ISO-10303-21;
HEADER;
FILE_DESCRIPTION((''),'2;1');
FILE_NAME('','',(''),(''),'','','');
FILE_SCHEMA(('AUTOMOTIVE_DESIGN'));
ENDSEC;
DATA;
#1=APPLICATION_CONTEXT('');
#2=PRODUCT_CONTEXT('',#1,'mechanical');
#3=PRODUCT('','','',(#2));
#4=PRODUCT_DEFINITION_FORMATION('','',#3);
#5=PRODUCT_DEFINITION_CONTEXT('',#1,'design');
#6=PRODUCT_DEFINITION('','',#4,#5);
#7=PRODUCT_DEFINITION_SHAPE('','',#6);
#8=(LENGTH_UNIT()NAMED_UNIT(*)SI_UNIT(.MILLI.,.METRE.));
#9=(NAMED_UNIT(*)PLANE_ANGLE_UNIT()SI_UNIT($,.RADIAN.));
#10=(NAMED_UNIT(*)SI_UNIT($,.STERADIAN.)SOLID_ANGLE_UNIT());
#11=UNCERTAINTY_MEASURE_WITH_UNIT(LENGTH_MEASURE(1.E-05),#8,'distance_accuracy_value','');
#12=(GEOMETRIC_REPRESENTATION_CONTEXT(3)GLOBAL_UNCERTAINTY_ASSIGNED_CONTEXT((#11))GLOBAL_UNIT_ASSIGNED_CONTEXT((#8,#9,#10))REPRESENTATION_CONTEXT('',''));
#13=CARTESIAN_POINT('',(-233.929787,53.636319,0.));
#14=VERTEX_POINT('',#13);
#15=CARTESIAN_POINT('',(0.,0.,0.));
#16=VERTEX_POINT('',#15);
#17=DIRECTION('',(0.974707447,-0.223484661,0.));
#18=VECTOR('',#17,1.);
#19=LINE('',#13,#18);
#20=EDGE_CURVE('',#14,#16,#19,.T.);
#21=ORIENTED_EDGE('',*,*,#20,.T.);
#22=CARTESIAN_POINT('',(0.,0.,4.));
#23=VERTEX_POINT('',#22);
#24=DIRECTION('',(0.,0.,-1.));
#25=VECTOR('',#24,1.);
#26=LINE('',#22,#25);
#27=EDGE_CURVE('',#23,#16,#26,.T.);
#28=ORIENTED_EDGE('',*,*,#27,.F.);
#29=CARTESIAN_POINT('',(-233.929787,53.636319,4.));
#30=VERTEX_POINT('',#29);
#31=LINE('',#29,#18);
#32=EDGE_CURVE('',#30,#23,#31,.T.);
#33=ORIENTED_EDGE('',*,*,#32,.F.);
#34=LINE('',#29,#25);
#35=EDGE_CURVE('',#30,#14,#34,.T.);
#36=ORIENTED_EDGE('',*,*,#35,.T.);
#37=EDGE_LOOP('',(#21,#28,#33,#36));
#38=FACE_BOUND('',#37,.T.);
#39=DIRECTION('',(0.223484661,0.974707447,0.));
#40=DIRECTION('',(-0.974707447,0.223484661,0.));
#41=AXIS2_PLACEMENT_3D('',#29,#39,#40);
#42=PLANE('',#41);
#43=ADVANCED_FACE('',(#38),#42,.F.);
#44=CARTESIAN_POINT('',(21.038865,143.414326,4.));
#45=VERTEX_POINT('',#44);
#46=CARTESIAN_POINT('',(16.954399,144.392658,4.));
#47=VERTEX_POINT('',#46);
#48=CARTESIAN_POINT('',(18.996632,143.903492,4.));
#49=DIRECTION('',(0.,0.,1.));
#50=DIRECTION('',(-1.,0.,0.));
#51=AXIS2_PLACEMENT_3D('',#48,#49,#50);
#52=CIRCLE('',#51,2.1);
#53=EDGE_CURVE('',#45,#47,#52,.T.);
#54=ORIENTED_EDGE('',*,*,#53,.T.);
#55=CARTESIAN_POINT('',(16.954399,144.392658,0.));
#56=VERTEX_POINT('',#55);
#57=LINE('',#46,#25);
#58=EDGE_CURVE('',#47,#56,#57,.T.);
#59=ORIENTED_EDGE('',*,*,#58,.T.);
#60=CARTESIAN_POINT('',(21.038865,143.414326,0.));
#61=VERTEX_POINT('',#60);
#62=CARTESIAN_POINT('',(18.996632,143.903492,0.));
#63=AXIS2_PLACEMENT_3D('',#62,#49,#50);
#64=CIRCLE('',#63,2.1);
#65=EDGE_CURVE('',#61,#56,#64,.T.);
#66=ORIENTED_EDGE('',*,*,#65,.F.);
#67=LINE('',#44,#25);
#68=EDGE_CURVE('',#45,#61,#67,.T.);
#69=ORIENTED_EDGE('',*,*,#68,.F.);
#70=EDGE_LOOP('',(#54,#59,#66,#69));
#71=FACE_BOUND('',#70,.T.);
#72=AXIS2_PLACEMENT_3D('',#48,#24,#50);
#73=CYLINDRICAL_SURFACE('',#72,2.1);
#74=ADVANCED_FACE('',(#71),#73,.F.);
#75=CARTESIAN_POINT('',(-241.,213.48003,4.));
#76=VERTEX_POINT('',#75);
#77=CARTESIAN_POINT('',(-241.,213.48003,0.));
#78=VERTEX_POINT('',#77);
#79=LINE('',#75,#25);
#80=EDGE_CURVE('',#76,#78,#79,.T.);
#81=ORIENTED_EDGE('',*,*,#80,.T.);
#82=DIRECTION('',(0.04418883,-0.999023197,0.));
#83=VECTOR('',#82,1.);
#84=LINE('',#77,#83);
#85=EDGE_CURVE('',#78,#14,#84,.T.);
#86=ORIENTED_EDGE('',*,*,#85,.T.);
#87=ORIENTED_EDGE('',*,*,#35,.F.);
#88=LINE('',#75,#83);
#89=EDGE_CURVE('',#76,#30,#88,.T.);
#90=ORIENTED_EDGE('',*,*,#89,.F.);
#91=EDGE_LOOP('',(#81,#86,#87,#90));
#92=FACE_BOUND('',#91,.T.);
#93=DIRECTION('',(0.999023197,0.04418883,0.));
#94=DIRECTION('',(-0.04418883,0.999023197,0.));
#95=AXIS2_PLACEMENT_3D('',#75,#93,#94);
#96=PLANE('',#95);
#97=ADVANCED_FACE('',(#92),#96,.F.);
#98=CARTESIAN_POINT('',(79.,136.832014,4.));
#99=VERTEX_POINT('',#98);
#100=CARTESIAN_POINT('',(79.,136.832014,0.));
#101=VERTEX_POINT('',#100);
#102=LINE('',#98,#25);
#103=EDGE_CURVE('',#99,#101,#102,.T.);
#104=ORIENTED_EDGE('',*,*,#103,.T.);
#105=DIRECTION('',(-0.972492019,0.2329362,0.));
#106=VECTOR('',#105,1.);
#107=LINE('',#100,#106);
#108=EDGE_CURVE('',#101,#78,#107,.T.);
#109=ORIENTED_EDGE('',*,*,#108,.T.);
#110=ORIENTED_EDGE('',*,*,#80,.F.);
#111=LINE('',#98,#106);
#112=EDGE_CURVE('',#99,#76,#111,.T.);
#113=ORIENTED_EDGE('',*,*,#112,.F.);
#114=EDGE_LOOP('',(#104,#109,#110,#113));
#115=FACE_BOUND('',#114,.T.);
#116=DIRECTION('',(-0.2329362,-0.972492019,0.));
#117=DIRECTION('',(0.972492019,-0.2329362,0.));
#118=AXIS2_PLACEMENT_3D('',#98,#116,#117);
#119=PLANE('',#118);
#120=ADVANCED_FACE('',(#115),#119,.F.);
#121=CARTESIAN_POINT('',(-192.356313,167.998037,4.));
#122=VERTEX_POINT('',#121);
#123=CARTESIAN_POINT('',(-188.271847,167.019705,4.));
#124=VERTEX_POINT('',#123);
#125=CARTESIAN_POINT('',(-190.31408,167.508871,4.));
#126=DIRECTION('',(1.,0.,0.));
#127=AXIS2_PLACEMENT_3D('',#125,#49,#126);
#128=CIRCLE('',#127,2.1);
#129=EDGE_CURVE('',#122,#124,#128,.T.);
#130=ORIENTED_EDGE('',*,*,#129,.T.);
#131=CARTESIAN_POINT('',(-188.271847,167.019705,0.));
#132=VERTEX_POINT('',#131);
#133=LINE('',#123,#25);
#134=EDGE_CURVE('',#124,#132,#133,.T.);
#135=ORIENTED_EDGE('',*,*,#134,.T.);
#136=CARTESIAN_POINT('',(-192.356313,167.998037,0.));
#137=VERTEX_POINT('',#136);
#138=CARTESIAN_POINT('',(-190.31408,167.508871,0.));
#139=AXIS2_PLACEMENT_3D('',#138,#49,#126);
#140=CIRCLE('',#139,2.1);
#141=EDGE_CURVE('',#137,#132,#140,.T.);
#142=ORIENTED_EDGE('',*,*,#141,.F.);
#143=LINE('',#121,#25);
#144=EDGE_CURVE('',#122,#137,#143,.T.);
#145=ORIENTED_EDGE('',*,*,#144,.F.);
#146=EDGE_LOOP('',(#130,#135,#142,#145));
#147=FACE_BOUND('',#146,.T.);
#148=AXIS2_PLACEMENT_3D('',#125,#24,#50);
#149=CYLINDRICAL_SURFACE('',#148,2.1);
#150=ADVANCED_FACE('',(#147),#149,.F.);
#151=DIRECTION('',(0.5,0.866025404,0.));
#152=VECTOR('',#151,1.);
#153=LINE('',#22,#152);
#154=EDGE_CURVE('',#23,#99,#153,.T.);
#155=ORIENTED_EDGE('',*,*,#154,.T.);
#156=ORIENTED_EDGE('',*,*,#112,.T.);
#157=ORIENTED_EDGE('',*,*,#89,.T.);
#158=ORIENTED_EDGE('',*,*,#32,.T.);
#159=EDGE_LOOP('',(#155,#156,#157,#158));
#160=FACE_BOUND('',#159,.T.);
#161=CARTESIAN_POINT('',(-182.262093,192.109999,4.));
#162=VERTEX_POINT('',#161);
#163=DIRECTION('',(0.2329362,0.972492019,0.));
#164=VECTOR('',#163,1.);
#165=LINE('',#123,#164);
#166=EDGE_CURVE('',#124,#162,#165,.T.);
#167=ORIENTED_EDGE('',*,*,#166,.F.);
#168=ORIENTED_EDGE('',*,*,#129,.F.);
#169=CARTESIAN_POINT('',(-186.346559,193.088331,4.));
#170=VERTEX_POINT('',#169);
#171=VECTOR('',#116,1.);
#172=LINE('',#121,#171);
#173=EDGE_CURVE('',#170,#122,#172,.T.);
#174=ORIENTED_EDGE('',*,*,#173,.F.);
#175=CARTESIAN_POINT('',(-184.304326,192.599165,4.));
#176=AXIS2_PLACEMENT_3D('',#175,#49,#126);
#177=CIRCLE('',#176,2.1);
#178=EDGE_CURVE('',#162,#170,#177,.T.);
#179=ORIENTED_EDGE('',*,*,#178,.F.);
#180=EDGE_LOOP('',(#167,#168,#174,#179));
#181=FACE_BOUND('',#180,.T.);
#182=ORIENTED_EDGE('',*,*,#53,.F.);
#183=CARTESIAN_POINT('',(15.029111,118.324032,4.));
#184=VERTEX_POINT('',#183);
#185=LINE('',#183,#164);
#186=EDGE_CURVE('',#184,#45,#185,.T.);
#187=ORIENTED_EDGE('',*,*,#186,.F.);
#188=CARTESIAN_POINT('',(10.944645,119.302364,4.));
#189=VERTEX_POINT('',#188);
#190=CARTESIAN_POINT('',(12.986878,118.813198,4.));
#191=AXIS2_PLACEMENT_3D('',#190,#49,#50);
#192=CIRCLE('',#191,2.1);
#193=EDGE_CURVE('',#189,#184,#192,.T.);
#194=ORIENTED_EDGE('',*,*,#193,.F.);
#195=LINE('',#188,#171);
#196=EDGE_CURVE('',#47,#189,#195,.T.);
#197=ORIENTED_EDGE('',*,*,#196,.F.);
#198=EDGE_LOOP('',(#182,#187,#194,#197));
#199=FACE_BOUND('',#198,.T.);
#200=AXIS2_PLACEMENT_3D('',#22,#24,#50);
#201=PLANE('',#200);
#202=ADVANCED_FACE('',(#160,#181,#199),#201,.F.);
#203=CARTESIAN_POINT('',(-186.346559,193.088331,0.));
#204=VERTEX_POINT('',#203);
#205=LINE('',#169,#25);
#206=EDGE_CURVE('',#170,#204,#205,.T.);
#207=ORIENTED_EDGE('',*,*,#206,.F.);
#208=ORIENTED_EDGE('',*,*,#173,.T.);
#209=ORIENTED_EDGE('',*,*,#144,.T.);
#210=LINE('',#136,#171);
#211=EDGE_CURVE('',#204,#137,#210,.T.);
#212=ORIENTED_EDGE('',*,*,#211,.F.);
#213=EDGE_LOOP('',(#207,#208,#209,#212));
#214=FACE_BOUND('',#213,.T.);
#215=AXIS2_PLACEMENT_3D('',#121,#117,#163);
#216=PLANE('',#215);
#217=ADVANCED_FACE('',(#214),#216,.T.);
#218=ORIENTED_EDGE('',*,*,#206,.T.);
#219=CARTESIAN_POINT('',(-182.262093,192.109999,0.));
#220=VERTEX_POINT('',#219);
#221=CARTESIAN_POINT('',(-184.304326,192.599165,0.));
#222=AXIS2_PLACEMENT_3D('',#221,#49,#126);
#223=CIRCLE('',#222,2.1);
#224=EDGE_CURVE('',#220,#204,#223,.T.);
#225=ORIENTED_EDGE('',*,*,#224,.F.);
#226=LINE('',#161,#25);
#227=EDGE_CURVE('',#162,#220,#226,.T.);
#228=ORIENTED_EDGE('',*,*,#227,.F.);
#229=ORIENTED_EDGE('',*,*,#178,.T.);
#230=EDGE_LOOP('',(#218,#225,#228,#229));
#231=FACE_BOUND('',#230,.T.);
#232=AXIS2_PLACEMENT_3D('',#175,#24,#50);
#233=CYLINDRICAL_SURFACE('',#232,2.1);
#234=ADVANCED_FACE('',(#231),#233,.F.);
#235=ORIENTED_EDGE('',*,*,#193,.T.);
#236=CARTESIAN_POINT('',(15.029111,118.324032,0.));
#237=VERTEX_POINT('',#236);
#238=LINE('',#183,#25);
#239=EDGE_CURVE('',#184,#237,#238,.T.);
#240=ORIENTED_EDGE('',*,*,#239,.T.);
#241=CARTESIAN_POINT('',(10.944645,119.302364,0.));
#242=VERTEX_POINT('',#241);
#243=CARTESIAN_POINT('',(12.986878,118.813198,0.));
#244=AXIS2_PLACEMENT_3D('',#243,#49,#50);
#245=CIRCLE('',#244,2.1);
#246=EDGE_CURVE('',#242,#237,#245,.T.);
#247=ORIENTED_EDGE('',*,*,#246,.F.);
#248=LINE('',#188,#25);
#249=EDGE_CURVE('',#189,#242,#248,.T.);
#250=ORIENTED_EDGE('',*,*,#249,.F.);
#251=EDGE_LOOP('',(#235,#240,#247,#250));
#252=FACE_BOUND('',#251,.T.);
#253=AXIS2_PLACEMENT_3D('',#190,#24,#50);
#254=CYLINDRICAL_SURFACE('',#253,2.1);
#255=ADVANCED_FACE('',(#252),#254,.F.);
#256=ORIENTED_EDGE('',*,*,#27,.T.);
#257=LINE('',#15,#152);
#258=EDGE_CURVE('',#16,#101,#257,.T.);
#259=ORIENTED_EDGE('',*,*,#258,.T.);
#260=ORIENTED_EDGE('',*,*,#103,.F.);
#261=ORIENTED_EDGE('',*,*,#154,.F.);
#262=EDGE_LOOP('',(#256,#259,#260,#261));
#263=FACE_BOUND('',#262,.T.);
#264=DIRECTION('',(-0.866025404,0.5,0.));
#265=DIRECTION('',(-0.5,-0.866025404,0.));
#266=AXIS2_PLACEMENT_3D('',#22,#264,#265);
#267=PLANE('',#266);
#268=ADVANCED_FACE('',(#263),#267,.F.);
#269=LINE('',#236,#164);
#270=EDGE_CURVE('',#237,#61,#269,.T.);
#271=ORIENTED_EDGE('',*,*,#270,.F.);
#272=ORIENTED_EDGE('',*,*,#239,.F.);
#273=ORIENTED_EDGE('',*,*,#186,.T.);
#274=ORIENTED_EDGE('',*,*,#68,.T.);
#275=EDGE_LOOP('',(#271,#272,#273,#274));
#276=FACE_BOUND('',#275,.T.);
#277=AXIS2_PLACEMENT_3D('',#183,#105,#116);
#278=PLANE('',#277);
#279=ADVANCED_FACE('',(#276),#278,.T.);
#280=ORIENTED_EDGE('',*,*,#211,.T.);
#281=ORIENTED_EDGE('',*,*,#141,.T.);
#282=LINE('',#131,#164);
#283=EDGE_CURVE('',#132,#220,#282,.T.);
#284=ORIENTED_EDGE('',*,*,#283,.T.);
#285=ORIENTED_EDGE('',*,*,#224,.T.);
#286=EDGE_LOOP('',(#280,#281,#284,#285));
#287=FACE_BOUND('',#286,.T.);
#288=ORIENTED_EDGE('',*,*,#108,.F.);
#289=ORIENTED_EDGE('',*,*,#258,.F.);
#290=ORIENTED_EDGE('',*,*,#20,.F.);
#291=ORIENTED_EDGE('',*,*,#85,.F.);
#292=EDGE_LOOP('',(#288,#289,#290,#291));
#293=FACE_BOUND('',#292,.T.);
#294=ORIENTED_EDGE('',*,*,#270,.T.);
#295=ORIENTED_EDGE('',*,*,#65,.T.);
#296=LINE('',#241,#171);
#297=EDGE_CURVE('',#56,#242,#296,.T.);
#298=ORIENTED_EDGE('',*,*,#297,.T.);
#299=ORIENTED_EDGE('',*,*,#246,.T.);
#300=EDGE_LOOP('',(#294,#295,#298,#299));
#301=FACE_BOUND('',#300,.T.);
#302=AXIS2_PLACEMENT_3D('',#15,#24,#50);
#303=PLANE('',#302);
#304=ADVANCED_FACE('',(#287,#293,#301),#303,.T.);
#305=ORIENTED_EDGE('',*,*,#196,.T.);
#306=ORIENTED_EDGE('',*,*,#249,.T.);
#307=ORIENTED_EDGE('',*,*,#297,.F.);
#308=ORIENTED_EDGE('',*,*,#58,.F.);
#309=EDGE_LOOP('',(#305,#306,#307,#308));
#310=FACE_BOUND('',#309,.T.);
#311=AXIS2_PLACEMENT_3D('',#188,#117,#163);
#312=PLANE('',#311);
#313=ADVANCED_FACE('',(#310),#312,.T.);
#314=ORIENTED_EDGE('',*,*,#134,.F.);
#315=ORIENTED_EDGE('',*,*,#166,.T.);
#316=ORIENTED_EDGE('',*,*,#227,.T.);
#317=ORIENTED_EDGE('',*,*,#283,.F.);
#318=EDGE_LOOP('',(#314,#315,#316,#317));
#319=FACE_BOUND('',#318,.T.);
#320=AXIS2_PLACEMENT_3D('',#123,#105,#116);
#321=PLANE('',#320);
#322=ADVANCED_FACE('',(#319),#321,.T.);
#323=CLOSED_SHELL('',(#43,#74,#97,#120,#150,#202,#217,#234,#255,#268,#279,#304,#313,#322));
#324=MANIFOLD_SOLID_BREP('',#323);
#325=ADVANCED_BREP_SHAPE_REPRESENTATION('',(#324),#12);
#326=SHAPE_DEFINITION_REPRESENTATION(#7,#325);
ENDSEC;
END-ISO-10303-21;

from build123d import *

# Parameters (mm, degrees)
BOSS_EXTRUDE1_DEPTH = 4


with BuildPart() as part:
    # Sketch1 → Boss-Extrude1 (new body)
    with BuildSketch(Plane(origin=(0, 0, 0), x_dir=(0, 1, 0), z_dir=(0, 0, 1))):
        Polygon((0, 0), (136.832013798, -79), (213.480030045, 241), (53.636318593, 233.929787175), align=None)
        with BuildLine():
            Line((167.998036635, 192.356313097), (193.088330721, 186.346559132))
            ThreePointArc((193.088330721, 186.346559132), (194.64139794, 183.815159872), (192.10999868, 182.262092653))
            Line((192.10999868, 182.262092653), (167.019704595, 188.271846618))
            ThreePointArc((167.019704595, 188.271846618), (165.466637376, 190.803245878), (167.998036635, 192.356313097))
        make_face(mode=Mode.SUBTRACT)
        with BuildLine():
            Line((118.32403237, -15.029111125), (143.414326455, -21.03886509))
            ThreePointArc((143.414326455, -21.03886509), (145.945725715, -19.485797871), (144.392658496, -16.954398611))
            Line((144.392658496, -16.954398611), (119.30236441, -10.944644646))
            ThreePointArc((119.30236441, -10.944644646), (116.77096515, -12.497711865), (118.32403237, -15.029111125))
        make_face(mode=Mode.SUBTRACT)
    extrude(amount=BOSS_EXTRUDE1_DEPTH)


solid = part.part
